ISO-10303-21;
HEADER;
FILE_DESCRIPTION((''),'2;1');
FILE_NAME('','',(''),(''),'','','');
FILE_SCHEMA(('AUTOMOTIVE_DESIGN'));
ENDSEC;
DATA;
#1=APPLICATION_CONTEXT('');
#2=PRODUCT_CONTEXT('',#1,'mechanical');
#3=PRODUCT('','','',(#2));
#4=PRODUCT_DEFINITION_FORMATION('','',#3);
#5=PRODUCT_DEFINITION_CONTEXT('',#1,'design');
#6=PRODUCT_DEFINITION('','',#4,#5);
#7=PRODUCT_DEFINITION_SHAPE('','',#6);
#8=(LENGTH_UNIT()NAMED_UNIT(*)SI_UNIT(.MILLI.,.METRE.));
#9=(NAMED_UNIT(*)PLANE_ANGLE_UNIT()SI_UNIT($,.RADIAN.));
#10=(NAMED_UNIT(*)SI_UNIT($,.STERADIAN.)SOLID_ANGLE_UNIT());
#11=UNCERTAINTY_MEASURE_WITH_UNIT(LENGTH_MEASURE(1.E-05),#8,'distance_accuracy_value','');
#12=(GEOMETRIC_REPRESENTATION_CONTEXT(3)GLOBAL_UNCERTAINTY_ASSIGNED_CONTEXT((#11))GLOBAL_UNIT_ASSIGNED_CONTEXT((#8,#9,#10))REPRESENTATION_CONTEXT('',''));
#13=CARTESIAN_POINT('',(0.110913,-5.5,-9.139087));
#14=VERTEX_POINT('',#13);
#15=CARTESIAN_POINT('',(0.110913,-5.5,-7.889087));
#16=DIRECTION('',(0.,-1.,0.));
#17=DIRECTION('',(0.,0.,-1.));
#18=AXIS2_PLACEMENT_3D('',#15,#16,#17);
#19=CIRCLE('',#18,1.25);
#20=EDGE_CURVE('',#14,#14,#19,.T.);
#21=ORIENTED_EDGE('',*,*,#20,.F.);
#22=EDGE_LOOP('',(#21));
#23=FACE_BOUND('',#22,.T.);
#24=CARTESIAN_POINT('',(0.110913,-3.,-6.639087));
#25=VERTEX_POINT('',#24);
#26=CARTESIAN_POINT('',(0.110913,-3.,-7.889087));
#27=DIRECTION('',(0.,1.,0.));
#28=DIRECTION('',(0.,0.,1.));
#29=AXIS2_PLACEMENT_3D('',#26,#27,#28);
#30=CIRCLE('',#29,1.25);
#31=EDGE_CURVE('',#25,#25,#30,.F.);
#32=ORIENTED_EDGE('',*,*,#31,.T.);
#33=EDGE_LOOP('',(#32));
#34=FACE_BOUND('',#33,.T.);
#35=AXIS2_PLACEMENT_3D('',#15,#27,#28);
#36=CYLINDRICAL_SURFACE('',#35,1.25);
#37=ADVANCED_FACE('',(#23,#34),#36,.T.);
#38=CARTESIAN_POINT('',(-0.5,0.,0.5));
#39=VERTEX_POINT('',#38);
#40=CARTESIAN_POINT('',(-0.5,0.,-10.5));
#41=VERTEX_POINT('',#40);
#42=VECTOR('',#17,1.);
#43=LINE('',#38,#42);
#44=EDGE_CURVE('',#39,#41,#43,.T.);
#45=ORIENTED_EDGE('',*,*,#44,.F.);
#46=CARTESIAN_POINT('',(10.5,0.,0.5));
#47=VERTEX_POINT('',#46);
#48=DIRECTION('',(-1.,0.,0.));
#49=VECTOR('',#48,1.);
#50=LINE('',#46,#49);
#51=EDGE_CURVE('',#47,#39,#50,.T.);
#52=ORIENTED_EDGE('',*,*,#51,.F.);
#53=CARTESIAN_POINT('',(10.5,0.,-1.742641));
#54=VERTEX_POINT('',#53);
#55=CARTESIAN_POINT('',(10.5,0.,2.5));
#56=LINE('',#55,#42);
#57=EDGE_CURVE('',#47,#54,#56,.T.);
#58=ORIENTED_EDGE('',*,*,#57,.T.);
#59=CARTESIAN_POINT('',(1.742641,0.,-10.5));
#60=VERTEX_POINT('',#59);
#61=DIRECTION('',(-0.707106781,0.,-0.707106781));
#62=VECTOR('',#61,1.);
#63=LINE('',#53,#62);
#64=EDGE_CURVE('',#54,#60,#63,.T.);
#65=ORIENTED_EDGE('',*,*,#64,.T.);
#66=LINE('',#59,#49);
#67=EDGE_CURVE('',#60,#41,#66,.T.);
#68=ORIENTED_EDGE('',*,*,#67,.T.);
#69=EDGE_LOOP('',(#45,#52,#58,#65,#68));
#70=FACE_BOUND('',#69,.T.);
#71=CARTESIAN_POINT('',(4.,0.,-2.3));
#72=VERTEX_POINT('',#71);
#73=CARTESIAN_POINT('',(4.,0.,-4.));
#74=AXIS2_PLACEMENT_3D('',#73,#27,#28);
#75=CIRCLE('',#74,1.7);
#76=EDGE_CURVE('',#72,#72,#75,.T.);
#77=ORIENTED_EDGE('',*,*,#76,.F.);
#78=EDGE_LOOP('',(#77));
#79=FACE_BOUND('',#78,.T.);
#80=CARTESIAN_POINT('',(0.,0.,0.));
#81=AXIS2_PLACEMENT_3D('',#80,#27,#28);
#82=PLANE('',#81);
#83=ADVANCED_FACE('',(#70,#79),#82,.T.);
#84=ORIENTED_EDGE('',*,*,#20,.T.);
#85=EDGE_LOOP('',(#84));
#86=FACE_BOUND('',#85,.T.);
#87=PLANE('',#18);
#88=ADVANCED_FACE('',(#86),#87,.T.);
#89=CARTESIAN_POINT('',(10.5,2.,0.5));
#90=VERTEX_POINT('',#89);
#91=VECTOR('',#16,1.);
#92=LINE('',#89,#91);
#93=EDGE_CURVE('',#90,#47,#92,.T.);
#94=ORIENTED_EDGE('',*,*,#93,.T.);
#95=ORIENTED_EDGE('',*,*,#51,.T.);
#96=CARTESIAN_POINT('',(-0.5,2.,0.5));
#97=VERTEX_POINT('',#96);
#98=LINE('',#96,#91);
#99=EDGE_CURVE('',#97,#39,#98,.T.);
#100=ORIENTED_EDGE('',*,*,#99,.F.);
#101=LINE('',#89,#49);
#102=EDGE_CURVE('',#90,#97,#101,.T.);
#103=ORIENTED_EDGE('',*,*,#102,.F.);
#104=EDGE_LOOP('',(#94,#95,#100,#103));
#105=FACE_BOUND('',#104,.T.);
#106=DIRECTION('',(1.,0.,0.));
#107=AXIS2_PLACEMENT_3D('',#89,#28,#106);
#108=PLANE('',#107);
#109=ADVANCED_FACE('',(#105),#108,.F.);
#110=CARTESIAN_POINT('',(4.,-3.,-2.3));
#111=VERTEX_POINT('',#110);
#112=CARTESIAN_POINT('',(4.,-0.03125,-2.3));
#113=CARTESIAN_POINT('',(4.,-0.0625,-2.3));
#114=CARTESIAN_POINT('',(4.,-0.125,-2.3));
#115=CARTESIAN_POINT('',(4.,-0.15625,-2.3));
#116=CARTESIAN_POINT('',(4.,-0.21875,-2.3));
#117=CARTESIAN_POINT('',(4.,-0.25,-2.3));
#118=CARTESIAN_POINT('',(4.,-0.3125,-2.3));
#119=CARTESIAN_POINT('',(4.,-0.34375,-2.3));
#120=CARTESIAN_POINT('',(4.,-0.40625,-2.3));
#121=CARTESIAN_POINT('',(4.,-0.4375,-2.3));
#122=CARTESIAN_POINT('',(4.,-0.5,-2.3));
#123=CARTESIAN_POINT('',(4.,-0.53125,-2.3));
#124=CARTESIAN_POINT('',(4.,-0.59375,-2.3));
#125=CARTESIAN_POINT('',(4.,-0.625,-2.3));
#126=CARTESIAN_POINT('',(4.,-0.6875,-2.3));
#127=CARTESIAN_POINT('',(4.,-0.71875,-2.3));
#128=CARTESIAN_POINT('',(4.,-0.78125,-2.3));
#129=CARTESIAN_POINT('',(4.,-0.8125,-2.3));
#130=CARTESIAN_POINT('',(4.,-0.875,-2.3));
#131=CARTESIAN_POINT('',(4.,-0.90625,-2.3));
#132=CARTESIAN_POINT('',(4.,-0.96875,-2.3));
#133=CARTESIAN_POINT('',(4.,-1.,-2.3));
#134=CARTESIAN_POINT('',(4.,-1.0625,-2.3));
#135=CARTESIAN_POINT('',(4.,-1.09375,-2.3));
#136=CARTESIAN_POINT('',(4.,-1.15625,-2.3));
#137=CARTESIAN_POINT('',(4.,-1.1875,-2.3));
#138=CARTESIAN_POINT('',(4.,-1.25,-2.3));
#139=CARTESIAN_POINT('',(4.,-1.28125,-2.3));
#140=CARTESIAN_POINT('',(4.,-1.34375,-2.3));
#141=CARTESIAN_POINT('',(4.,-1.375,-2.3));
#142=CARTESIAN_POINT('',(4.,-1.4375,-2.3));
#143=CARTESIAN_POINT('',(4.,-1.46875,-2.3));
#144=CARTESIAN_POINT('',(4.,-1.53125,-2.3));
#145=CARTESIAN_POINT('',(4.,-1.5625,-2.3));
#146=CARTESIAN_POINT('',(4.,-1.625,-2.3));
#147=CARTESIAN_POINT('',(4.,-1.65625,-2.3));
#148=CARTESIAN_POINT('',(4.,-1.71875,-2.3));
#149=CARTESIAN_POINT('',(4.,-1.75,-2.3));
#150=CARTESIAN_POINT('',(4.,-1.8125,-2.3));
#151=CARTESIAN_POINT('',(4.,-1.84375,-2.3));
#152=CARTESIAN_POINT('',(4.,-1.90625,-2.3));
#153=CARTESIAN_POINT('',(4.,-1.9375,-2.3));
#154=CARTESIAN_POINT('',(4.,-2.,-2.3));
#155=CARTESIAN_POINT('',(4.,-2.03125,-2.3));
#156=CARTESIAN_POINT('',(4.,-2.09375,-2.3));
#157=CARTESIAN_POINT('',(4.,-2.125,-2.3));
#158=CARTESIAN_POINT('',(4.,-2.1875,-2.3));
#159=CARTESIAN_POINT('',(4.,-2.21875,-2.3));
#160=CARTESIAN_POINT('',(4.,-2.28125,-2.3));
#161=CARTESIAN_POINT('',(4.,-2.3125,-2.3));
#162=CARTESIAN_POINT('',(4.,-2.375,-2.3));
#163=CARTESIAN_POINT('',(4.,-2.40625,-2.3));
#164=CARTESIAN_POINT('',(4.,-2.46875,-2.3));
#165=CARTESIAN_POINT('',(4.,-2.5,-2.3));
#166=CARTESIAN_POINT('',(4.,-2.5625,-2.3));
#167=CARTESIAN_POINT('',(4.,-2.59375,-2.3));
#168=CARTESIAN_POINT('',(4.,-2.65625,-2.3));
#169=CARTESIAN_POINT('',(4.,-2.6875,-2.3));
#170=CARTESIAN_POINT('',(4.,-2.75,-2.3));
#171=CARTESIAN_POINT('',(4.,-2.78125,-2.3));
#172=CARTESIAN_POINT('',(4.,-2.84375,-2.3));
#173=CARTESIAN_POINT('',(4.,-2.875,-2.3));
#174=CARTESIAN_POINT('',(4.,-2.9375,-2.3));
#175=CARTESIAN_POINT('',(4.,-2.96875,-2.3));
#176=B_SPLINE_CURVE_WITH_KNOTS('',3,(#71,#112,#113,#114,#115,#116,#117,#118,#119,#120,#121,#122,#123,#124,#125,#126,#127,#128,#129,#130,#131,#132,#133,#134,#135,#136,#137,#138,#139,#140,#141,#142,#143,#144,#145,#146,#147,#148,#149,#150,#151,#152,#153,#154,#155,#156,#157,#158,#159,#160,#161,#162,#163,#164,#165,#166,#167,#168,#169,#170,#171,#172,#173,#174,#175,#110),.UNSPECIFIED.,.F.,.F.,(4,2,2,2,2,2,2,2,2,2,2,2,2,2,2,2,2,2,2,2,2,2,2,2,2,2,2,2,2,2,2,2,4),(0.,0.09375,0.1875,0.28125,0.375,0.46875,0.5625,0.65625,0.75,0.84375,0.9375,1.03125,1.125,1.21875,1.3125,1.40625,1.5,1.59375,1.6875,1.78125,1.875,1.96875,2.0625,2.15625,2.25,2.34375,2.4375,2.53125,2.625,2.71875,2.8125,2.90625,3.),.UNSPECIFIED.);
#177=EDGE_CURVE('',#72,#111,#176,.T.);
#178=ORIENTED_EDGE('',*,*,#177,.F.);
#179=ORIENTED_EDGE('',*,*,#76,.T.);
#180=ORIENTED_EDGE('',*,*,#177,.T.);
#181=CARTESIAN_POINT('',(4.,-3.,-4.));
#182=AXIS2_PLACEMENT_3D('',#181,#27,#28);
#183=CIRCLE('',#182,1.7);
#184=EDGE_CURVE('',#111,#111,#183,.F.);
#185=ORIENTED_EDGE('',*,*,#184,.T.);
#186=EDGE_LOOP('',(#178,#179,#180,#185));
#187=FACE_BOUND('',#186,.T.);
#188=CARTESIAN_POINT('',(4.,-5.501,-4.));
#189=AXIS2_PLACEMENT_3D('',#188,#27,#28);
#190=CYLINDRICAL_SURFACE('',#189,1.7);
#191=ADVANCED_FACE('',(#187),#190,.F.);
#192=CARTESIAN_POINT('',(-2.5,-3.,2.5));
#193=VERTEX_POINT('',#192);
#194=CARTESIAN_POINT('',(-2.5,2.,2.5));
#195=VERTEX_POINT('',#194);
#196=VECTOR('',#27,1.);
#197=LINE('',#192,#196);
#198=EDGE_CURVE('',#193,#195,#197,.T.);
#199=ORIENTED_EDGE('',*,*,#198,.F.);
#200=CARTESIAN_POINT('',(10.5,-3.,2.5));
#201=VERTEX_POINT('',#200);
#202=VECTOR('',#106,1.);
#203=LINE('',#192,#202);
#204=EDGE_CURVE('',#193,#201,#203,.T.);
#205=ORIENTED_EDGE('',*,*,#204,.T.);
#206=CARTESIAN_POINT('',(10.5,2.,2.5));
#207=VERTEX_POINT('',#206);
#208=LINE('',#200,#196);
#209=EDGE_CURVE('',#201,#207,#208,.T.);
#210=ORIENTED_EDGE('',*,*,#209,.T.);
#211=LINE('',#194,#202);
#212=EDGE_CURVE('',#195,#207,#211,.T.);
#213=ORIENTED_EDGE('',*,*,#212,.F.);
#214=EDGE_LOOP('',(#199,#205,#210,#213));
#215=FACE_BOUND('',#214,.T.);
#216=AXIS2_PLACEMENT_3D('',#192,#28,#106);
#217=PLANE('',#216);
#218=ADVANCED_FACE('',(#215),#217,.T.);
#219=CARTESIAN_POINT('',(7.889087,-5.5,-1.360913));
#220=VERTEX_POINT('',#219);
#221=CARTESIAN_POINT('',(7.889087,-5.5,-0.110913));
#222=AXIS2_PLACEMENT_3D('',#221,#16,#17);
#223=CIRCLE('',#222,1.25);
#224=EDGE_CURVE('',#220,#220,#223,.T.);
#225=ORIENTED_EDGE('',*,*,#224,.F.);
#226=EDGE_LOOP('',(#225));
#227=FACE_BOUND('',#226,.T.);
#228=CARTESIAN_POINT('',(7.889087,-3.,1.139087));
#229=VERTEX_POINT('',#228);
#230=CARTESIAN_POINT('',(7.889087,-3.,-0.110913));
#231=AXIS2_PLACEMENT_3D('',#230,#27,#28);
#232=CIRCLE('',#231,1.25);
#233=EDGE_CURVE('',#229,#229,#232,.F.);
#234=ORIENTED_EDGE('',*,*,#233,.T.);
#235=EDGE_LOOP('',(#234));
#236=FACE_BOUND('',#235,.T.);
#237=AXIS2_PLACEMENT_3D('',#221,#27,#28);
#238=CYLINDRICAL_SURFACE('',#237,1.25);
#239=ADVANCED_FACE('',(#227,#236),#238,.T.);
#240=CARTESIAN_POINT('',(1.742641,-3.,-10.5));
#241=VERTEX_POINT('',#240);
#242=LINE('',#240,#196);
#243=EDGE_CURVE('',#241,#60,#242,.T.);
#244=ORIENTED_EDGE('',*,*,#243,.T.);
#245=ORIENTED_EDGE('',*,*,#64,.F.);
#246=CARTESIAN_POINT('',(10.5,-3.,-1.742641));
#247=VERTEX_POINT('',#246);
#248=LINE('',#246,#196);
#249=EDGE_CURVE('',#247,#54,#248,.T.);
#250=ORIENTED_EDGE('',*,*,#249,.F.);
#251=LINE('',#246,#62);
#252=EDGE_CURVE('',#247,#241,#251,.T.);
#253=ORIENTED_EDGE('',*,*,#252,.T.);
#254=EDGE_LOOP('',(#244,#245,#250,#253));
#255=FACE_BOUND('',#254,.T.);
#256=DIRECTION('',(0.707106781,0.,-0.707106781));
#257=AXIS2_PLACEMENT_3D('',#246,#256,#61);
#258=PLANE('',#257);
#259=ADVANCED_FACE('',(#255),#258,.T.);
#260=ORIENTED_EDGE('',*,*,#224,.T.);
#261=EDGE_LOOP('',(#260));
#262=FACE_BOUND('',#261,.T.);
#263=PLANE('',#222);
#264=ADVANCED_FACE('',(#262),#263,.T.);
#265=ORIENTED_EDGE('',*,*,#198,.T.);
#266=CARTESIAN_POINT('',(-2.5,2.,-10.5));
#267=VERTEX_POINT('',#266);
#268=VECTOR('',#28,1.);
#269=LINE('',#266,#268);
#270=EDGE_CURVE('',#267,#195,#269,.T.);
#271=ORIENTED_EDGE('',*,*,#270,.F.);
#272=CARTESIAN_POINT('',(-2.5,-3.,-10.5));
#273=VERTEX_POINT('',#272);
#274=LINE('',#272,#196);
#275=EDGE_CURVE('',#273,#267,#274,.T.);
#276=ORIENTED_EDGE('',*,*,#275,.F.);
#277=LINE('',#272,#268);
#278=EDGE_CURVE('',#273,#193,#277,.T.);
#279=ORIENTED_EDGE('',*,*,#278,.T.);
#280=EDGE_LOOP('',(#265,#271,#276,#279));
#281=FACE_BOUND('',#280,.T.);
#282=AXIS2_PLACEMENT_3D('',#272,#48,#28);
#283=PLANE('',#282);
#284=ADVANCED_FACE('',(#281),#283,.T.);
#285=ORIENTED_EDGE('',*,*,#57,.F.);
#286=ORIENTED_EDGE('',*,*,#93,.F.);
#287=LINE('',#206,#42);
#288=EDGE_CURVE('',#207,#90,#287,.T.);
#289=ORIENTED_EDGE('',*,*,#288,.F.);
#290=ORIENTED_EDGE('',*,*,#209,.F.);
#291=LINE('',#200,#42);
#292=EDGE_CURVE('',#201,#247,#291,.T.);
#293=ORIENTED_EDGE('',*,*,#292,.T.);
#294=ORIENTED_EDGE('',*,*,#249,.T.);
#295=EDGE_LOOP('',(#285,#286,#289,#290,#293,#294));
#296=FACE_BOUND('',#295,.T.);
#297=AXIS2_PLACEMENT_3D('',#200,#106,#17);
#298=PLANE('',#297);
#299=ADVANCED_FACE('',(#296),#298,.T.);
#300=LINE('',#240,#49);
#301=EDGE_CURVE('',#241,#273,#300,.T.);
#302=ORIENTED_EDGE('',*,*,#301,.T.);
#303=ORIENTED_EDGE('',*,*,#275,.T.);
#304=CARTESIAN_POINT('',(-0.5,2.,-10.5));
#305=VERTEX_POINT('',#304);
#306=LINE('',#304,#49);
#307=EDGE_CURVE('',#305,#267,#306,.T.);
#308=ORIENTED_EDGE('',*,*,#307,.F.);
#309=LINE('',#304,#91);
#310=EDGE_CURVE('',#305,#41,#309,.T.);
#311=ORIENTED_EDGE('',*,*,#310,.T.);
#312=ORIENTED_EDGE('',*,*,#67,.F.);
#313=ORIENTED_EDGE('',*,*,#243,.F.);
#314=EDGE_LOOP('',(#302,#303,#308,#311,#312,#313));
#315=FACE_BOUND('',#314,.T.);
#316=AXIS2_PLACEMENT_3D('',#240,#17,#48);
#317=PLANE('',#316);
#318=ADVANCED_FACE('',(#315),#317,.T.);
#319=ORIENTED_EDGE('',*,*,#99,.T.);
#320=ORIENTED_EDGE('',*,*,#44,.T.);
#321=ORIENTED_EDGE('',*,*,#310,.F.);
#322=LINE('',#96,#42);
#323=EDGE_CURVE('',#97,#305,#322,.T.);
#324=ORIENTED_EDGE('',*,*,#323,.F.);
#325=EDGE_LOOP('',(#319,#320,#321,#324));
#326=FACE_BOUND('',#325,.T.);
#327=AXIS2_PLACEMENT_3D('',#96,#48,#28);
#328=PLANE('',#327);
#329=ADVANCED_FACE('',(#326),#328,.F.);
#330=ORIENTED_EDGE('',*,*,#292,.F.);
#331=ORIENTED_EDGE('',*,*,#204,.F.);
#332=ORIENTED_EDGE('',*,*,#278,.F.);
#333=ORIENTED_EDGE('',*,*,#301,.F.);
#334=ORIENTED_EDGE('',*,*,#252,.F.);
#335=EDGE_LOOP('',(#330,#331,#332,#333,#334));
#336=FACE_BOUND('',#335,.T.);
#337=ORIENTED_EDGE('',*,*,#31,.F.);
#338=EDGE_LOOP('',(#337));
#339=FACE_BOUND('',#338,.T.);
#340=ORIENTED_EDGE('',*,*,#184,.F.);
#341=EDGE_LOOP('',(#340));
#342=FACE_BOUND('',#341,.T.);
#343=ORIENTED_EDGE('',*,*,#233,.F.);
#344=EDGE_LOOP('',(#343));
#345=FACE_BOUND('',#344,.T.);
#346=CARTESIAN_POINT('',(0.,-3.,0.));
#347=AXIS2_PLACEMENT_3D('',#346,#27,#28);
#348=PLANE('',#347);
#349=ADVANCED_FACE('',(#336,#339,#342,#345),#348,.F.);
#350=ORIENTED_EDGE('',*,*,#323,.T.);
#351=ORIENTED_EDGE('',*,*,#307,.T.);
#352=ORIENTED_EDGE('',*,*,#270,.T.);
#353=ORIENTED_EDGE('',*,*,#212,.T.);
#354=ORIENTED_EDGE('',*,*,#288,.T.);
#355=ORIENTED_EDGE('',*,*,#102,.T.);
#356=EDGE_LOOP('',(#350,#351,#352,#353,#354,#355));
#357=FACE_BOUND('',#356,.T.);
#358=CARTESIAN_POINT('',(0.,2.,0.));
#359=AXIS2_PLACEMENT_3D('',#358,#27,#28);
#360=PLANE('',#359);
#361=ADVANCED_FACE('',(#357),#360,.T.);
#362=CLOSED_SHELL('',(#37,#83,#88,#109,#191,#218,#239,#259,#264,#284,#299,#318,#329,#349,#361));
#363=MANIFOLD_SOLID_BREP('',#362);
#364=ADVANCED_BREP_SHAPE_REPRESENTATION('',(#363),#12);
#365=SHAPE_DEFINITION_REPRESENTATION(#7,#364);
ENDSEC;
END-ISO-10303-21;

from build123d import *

# Parameters (mm, degrees)
BOSS_EXTRUDE2_DEPTH = 3
SKETCH4_R           = 1.25
BOSS_EXTRUDE3_DEPTH = 2.5
BOSS_EXTRUDE4_DEPTH = 2
CUT_EXTRUDE1_REACH  = 17.835
SKETCH6_R           = 1.7


with BuildPart() as part:
    # Sketch3 → Boss-Extrude2 (new body)
    with BuildSketch(Plane(origin=(0, 0, 0), x_dir=(1, 0, 0), z_dir=(0, 1, 0))):
        Polygon((-2.5, 10.5), (-2.5, -2.5), (10.5, -2.5), (10.5, 1.742640687), (1.742640687, 10.5), align=None)
    extrude(amount=-BOSS_EXTRUDE2_DEPTH)

    # Sketch4 → Boss-Extrude3 (add)
    with BuildSketch(Plane.XZ.offset(3)):
        with Locations(Location((7.889087297, -0.110912703, 0), (0, 0, 90))):
            Circle(SKETCH4_R)
        with Locations(Location((0.110912703, -7.889087297, 0), (0, 0, 90))):
            Circle(SKETCH4_R)
    extrude(amount=BOSS_EXTRUDE3_DEPTH)

    # Sketch5 → Boss-Extrude4 (add)
    with BuildSketch(Plane(origin=(0, 0, 0), x_dir=(1, 0, 0), z_dir=(0, 1, 0))):
        Polygon((-2.5, 10.5), (-2.5, -2.5), (10.5, -2.5), (10.5, -0.5), (-0.5, -0.5), (-0.5, 10.5), align=None)
    extrude(amount=BOSS_EXTRUDE4_DEPTH)

    # Sketch6 → Cut-Extrude1 (cut, up to next)
    with BuildSketch(Plane(origin=(0, 0, 0), x_dir=(1, 0, 0), z_dir=(0, 1, 0)), mode=Mode.PRIVATE) as cut_extrude1_sk1:
        with Locations(Location((4, 4, 0), (0, 0, 270))):
            Circle(SKETCH6_R)
    cut_extrude1_tool1 = extrude(cut_extrude1_sk1.sketch, amount=-CUT_EXTRUDE1_REACH, mode=Mode.PRIVATE) & part.part
    add(cut_extrude1_tool1.solids().sort_by_distance((4, 0, -4))[0], mode=Mode.SUBTRACT)


solid = part.part
